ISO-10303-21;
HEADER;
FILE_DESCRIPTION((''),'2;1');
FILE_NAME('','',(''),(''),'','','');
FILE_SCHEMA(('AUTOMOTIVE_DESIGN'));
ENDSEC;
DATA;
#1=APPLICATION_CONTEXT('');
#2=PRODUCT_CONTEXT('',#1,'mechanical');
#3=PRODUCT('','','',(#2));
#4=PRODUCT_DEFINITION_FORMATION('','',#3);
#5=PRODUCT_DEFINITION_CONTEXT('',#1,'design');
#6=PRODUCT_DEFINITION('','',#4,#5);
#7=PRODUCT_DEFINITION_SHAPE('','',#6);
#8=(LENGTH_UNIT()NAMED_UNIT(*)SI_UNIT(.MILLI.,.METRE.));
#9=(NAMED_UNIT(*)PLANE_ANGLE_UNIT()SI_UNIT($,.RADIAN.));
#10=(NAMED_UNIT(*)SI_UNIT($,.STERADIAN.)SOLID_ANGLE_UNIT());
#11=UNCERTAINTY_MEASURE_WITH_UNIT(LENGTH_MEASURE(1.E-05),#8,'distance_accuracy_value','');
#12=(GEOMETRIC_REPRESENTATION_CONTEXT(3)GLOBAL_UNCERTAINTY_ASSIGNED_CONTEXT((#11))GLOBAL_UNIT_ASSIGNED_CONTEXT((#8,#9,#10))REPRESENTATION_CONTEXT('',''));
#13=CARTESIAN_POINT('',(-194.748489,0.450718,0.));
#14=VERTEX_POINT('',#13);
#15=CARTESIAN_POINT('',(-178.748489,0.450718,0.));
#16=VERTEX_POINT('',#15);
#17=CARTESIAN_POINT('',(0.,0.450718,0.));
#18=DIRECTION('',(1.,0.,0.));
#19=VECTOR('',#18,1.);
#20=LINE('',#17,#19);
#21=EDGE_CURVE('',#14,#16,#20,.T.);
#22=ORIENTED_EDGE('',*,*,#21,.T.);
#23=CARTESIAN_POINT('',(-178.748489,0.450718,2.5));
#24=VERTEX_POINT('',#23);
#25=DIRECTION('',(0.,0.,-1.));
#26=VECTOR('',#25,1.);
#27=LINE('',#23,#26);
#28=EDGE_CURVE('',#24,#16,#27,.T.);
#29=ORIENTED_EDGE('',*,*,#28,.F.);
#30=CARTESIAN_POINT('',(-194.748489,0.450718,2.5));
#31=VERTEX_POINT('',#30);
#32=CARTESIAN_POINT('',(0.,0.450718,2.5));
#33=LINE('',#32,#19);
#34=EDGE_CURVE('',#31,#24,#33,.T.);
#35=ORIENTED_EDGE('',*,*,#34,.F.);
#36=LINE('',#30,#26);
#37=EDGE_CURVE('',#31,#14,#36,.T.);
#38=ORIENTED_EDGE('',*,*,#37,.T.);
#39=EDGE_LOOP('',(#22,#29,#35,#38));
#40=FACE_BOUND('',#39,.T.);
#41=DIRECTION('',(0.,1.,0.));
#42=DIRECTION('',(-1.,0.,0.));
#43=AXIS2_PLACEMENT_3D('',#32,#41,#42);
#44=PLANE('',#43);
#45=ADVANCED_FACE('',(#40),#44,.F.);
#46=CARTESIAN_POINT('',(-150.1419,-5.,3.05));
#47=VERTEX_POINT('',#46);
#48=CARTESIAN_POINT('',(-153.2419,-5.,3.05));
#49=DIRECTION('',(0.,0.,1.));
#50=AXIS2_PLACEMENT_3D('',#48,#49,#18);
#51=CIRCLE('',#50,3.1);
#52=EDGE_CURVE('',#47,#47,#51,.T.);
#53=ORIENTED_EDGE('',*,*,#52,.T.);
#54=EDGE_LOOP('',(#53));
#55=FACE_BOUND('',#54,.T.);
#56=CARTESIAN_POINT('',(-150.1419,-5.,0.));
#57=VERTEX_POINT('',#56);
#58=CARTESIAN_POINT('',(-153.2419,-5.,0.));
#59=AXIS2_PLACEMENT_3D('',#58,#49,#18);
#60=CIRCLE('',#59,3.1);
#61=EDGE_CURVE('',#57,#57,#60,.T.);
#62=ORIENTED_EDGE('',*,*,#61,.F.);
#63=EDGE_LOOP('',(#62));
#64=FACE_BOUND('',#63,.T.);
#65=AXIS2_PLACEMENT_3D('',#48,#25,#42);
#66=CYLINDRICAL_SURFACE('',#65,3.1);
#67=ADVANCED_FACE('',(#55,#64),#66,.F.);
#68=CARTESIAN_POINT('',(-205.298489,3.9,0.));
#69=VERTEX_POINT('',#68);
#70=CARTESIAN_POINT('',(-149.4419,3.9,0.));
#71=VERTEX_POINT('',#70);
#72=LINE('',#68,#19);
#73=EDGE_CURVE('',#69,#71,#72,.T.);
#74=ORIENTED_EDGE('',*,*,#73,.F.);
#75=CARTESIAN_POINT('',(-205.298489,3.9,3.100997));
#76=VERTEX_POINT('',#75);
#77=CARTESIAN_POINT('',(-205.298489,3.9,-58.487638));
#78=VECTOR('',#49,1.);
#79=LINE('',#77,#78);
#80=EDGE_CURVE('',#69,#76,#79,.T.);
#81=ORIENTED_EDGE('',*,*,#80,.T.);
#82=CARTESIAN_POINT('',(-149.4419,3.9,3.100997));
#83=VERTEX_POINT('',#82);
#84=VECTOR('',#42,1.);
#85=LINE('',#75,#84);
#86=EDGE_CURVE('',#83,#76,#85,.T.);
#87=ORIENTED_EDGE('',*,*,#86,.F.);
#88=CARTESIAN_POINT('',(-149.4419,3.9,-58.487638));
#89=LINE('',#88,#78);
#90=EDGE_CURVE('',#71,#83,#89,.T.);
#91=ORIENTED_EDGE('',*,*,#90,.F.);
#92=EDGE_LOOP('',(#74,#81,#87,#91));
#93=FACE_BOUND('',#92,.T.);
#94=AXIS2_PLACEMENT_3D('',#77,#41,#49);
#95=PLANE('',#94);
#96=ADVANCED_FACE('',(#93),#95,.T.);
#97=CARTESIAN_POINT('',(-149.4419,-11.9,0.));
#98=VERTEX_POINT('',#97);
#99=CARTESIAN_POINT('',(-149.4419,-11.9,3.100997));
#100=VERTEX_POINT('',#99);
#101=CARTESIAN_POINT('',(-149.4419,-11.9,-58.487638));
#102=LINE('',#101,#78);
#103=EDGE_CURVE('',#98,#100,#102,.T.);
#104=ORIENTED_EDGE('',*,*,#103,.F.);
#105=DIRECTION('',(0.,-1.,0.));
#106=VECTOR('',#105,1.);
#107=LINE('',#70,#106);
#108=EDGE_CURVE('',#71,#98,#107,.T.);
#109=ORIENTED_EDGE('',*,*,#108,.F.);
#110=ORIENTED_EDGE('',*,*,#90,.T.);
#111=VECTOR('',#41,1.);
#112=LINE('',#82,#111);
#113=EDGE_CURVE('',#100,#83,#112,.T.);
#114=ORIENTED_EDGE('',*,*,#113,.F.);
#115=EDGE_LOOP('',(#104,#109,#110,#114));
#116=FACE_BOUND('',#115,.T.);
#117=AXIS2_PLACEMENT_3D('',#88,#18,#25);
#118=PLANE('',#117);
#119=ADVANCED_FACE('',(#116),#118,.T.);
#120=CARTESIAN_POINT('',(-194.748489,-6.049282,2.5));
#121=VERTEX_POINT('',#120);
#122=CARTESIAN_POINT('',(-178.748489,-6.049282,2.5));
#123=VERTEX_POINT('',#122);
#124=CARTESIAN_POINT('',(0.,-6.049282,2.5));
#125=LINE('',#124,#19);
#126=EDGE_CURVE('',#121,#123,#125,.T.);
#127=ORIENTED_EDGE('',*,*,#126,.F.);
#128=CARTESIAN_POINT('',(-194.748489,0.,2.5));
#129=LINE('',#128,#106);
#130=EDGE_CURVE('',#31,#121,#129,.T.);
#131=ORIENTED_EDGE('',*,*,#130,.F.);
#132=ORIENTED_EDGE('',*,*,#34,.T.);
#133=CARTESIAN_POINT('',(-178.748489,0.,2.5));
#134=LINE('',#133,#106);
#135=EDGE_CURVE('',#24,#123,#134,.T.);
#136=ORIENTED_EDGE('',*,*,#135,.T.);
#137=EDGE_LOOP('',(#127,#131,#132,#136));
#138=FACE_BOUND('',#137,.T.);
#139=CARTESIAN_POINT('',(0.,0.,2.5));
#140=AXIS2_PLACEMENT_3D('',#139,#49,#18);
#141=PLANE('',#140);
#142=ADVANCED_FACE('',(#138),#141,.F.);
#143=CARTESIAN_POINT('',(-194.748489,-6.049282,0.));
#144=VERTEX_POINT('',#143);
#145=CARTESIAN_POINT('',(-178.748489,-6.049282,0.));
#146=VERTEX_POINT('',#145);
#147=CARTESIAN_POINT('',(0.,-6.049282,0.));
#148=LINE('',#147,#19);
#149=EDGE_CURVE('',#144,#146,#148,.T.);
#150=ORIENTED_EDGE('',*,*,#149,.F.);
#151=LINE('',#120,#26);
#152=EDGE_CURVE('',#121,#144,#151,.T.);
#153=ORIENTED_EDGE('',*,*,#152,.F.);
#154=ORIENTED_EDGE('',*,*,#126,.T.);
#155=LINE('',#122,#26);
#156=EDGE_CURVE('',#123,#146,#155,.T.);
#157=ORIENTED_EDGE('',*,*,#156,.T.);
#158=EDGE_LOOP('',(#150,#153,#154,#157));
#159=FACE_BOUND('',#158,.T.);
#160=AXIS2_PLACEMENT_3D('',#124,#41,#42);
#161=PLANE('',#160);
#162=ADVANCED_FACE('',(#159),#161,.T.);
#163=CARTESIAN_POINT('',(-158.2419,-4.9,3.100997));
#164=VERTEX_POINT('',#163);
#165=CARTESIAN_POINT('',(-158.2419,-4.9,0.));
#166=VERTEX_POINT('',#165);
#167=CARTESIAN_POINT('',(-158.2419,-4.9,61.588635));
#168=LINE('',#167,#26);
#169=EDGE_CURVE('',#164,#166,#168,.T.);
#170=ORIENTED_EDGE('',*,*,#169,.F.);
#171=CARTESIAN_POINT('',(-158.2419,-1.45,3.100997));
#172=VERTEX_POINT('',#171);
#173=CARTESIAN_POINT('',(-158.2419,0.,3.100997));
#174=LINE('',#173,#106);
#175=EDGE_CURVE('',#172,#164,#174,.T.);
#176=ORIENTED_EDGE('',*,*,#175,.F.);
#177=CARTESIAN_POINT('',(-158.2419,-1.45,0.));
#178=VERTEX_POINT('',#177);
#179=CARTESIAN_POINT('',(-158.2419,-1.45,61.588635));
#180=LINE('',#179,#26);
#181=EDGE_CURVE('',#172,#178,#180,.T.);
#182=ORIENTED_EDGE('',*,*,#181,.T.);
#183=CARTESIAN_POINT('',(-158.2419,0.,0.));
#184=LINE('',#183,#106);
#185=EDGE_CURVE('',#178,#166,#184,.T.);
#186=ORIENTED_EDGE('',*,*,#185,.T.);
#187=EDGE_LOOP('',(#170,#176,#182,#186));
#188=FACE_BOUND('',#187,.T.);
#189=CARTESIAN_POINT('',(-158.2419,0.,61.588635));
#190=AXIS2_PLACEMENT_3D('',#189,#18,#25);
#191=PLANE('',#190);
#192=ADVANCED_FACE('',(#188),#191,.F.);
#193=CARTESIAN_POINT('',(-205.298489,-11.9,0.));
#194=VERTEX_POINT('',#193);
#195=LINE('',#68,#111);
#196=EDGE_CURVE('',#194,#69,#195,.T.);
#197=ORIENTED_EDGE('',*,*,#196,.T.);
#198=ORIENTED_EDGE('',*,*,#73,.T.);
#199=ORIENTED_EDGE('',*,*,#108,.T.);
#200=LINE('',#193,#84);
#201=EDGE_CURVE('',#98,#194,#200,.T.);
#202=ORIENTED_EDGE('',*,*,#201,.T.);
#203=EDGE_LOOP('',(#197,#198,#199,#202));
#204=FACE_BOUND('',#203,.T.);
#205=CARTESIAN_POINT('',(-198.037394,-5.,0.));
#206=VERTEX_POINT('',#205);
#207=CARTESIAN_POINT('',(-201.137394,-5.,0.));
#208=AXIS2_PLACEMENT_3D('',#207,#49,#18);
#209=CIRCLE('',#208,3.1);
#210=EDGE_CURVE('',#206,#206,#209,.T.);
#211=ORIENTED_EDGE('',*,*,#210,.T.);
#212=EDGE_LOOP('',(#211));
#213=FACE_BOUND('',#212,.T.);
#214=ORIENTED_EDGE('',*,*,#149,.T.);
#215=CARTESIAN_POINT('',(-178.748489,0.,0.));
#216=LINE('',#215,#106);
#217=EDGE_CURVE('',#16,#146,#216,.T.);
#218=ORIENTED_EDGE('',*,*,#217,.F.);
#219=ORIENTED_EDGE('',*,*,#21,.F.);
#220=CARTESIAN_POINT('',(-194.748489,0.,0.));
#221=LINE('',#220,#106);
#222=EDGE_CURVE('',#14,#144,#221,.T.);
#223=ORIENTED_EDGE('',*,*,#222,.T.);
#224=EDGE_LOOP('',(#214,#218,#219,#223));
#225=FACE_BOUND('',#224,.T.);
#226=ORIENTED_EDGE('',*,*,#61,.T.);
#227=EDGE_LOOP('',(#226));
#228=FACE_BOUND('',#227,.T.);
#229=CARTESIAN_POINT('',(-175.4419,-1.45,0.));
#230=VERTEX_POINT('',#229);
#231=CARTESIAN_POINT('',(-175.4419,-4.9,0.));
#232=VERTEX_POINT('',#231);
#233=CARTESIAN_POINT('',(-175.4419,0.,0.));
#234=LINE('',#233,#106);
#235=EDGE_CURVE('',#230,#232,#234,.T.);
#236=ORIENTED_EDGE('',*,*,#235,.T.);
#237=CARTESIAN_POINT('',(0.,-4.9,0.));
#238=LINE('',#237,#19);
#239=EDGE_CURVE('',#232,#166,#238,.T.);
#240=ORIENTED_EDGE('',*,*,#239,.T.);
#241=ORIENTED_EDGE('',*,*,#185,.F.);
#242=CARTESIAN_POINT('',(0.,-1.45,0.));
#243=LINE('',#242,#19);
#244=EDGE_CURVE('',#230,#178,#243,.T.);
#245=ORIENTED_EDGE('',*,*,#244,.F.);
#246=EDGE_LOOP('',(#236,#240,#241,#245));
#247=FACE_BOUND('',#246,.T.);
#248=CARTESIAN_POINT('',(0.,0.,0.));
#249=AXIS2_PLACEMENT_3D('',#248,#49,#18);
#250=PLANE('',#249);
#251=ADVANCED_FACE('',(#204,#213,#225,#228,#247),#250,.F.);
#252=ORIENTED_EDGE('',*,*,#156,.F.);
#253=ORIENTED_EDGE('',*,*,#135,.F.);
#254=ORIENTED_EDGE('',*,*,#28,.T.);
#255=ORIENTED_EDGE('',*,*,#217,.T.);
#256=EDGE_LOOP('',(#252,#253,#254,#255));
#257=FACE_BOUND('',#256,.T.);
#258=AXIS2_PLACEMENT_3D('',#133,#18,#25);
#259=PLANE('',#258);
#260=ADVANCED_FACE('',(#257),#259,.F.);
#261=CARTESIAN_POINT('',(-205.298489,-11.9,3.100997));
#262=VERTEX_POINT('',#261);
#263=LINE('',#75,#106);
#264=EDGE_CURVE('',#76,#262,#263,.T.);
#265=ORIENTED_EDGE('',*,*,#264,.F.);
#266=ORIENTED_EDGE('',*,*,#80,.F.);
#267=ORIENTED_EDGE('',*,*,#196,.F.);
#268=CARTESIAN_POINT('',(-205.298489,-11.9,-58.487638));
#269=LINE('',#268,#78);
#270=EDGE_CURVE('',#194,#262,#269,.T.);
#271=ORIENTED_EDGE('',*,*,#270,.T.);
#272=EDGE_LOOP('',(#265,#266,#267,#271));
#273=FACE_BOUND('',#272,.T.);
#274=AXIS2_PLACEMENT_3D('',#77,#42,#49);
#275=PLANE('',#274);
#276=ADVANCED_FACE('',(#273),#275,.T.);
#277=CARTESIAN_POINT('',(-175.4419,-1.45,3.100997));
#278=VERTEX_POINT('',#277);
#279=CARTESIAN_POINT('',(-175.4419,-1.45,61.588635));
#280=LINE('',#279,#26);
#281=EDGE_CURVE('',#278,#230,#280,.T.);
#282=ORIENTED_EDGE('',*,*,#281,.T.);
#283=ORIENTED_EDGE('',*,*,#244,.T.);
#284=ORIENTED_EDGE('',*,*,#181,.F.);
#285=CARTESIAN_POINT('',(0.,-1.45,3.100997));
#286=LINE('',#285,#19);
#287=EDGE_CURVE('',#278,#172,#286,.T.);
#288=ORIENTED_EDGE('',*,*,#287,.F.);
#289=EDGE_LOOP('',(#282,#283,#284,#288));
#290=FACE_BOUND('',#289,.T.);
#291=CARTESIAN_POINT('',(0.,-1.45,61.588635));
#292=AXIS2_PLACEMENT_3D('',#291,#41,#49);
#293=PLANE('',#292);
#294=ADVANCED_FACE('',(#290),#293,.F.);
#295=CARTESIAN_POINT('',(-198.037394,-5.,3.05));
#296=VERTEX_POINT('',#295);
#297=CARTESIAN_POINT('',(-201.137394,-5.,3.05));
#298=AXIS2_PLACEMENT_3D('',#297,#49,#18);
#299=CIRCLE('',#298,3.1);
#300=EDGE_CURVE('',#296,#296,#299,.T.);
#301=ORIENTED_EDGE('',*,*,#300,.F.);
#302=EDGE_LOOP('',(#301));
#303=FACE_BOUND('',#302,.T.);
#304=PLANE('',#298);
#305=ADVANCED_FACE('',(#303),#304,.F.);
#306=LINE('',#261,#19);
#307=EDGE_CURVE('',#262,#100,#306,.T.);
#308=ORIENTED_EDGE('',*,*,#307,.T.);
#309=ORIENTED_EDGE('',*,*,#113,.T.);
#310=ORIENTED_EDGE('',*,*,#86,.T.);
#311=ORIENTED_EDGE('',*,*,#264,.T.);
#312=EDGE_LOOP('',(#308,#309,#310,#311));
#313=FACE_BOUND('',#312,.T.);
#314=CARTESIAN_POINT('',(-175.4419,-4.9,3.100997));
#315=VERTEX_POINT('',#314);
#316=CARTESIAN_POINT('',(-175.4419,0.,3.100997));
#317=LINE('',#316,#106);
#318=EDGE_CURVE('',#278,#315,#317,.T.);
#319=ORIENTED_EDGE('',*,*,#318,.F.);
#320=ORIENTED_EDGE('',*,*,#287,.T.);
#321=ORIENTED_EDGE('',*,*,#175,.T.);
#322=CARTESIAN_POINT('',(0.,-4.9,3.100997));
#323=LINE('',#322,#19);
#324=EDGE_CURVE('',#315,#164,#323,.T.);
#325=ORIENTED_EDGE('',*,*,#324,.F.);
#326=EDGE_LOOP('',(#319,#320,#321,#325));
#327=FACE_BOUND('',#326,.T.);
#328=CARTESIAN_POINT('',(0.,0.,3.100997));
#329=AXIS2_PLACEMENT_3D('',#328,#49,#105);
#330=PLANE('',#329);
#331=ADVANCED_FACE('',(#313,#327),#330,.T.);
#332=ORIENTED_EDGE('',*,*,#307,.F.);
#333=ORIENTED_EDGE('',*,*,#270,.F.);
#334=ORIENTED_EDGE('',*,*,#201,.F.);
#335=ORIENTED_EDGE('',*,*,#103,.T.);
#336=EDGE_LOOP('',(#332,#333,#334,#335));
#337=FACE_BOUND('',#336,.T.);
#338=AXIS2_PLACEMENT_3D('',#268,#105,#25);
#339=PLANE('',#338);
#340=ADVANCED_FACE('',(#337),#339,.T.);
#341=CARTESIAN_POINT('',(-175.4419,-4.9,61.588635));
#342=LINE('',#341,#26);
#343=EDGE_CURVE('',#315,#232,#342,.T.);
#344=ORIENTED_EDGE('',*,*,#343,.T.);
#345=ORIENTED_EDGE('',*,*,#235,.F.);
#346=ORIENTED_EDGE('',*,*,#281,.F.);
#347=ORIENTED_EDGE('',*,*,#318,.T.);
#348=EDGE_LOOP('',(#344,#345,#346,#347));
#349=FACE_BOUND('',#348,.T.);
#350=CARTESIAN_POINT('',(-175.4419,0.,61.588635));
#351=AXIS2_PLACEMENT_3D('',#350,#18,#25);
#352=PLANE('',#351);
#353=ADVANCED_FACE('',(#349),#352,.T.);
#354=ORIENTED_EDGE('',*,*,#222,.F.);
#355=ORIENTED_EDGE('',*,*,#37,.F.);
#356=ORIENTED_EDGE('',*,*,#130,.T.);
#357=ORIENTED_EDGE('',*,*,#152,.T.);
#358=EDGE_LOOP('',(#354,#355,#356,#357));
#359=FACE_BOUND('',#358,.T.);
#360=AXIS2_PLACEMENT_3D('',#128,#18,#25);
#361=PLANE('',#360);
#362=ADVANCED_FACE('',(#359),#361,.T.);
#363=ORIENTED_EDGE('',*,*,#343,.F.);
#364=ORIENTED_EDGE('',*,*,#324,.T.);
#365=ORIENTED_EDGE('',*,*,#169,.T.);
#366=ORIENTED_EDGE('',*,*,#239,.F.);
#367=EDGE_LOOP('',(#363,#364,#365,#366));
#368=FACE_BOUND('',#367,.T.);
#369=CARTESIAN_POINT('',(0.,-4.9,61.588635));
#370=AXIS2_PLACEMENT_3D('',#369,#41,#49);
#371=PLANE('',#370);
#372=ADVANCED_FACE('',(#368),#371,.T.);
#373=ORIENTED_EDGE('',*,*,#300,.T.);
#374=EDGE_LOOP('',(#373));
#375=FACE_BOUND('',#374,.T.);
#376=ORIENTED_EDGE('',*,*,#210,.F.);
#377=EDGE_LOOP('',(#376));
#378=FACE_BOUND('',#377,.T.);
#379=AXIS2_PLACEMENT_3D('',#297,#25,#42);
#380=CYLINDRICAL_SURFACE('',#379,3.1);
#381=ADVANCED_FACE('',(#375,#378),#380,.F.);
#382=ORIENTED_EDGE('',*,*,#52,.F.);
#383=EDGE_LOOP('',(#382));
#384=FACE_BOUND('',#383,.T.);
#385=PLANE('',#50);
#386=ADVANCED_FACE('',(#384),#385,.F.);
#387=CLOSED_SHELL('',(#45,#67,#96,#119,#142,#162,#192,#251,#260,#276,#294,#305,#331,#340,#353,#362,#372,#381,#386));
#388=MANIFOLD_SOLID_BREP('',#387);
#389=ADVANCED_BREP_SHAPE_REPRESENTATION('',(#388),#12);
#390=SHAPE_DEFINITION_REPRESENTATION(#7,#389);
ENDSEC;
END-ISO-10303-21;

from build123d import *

# Parameters (mm, degrees)
SKETCH1_W           = 56.256588963
SKETCH1_H           = 16
SKETCH1_R           = 3.1
SKETCH1_W_2         = 17.2
SKETCH1_H_2         = 3.45
SKETCH1_W_3         = 16
SKETCH1_H_3         = 6.5
BOSS_EXTRUDE1_DEPTH = 3.100997352
SKETCH1_3_R         = 3.1
CUT_EXTRUDE1_DEPTH  = 3.05
SKETCH1_4_W         = 16
SKETCH1_4_H         = 6.5
CUT_EXTRUDE2_DEPTH  = 2.5
SKETCH2_W           = 56.256588963
SKETCH2_H           = 16
SKETCH2_W_2         = 55.856588963
SKETCH2_H_2         = 15.8
CUT_EXTRUDE3_DEPTH  = 3.100997352


with BuildPart() as part:
    # Sketch1 → Boss-Extrude1 (new body)
    # profile 1 of 4: a face of its own
    with BuildSketch(Plane.XY):
        with Locations((-177.370194481, -4)):
            Rectangle(SKETCH1_W, SKETCH1_H)
        with Locations((-153.2419, -5)):
            Circle(SKETCH1_R, mode=Mode.SUBTRACT)
        with Locations((-201.137394481, -5)):
            Circle(SKETCH1_R, mode=Mode.SUBTRACT)
        with Locations((-166.8419, -3.175)):
            Rectangle(SKETCH1_W_2, SKETCH1_H_2, mode=Mode.SUBTRACT)
        with Locations((-186.748488963, -2.799282455)):
            Rectangle(SKETCH1_W_3, SKETCH1_H_3, mode=Mode.SUBTRACT)
    # profile 2 of 4: a face of its own
    with BuildSketch(Plane.XY):
        with Locations((-153.2419, -5)):
            Circle(SKETCH1_R)
    # profile 3 of 4: a face of its own
    with BuildSketch(Plane.XY):
        with Locations((-201.137394481, -5)):
            Circle(SKETCH1_R)
    # profile 4 of 4: a face of its own
    with BuildSketch(Plane.XY):
        with Locations((-186.748488963, -2.799282455)):
            Rectangle(SKETCH1_W_3, SKETCH1_H_3)
    extrude(amount=BOSS_EXTRUDE1_DEPTH)

    # Sketch1<3> → Cut-Extrude1 (cut)
    with BuildSketch(Plane.XY):
        with Locations((-201.137394481, -5)):
            Circle(SKETCH1_3_R)
        with Locations((-153.2419, -5)):
            Circle(SKETCH1_3_R)
    extrude(amount=CUT_EXTRUDE1_DEPTH, mode=Mode.SUBTRACT)

    # Sketch1<4> → Cut-Extrude2 (cut)
    with BuildSketch(Plane.XY):
        with Locations((-186.748488963, -2.799282455)):
            Rectangle(SKETCH1_4_W, SKETCH1_4_H)
    extrude(amount=CUT_EXTRUDE2_DEPTH, mode=Mode.SUBTRACT)

    # Sketch2 → Cut-Extrude3 (cut)
    with BuildSketch(Plane.XY.offset(3.100997352)):
        with Locations((-177.370194481, -4)):
            Rectangle(SKETCH2_W, SKETCH2_H)
        with Locations((-177.370194481, -4)):
            Rectangle(SKETCH2_W_2, SKETCH2_H_2, mode=Mode.SUBTRACT)
    extrude(amount=-CUT_EXTRUDE3_DEPTH, mode=Mode.SUBTRACT)


solid = part.part
